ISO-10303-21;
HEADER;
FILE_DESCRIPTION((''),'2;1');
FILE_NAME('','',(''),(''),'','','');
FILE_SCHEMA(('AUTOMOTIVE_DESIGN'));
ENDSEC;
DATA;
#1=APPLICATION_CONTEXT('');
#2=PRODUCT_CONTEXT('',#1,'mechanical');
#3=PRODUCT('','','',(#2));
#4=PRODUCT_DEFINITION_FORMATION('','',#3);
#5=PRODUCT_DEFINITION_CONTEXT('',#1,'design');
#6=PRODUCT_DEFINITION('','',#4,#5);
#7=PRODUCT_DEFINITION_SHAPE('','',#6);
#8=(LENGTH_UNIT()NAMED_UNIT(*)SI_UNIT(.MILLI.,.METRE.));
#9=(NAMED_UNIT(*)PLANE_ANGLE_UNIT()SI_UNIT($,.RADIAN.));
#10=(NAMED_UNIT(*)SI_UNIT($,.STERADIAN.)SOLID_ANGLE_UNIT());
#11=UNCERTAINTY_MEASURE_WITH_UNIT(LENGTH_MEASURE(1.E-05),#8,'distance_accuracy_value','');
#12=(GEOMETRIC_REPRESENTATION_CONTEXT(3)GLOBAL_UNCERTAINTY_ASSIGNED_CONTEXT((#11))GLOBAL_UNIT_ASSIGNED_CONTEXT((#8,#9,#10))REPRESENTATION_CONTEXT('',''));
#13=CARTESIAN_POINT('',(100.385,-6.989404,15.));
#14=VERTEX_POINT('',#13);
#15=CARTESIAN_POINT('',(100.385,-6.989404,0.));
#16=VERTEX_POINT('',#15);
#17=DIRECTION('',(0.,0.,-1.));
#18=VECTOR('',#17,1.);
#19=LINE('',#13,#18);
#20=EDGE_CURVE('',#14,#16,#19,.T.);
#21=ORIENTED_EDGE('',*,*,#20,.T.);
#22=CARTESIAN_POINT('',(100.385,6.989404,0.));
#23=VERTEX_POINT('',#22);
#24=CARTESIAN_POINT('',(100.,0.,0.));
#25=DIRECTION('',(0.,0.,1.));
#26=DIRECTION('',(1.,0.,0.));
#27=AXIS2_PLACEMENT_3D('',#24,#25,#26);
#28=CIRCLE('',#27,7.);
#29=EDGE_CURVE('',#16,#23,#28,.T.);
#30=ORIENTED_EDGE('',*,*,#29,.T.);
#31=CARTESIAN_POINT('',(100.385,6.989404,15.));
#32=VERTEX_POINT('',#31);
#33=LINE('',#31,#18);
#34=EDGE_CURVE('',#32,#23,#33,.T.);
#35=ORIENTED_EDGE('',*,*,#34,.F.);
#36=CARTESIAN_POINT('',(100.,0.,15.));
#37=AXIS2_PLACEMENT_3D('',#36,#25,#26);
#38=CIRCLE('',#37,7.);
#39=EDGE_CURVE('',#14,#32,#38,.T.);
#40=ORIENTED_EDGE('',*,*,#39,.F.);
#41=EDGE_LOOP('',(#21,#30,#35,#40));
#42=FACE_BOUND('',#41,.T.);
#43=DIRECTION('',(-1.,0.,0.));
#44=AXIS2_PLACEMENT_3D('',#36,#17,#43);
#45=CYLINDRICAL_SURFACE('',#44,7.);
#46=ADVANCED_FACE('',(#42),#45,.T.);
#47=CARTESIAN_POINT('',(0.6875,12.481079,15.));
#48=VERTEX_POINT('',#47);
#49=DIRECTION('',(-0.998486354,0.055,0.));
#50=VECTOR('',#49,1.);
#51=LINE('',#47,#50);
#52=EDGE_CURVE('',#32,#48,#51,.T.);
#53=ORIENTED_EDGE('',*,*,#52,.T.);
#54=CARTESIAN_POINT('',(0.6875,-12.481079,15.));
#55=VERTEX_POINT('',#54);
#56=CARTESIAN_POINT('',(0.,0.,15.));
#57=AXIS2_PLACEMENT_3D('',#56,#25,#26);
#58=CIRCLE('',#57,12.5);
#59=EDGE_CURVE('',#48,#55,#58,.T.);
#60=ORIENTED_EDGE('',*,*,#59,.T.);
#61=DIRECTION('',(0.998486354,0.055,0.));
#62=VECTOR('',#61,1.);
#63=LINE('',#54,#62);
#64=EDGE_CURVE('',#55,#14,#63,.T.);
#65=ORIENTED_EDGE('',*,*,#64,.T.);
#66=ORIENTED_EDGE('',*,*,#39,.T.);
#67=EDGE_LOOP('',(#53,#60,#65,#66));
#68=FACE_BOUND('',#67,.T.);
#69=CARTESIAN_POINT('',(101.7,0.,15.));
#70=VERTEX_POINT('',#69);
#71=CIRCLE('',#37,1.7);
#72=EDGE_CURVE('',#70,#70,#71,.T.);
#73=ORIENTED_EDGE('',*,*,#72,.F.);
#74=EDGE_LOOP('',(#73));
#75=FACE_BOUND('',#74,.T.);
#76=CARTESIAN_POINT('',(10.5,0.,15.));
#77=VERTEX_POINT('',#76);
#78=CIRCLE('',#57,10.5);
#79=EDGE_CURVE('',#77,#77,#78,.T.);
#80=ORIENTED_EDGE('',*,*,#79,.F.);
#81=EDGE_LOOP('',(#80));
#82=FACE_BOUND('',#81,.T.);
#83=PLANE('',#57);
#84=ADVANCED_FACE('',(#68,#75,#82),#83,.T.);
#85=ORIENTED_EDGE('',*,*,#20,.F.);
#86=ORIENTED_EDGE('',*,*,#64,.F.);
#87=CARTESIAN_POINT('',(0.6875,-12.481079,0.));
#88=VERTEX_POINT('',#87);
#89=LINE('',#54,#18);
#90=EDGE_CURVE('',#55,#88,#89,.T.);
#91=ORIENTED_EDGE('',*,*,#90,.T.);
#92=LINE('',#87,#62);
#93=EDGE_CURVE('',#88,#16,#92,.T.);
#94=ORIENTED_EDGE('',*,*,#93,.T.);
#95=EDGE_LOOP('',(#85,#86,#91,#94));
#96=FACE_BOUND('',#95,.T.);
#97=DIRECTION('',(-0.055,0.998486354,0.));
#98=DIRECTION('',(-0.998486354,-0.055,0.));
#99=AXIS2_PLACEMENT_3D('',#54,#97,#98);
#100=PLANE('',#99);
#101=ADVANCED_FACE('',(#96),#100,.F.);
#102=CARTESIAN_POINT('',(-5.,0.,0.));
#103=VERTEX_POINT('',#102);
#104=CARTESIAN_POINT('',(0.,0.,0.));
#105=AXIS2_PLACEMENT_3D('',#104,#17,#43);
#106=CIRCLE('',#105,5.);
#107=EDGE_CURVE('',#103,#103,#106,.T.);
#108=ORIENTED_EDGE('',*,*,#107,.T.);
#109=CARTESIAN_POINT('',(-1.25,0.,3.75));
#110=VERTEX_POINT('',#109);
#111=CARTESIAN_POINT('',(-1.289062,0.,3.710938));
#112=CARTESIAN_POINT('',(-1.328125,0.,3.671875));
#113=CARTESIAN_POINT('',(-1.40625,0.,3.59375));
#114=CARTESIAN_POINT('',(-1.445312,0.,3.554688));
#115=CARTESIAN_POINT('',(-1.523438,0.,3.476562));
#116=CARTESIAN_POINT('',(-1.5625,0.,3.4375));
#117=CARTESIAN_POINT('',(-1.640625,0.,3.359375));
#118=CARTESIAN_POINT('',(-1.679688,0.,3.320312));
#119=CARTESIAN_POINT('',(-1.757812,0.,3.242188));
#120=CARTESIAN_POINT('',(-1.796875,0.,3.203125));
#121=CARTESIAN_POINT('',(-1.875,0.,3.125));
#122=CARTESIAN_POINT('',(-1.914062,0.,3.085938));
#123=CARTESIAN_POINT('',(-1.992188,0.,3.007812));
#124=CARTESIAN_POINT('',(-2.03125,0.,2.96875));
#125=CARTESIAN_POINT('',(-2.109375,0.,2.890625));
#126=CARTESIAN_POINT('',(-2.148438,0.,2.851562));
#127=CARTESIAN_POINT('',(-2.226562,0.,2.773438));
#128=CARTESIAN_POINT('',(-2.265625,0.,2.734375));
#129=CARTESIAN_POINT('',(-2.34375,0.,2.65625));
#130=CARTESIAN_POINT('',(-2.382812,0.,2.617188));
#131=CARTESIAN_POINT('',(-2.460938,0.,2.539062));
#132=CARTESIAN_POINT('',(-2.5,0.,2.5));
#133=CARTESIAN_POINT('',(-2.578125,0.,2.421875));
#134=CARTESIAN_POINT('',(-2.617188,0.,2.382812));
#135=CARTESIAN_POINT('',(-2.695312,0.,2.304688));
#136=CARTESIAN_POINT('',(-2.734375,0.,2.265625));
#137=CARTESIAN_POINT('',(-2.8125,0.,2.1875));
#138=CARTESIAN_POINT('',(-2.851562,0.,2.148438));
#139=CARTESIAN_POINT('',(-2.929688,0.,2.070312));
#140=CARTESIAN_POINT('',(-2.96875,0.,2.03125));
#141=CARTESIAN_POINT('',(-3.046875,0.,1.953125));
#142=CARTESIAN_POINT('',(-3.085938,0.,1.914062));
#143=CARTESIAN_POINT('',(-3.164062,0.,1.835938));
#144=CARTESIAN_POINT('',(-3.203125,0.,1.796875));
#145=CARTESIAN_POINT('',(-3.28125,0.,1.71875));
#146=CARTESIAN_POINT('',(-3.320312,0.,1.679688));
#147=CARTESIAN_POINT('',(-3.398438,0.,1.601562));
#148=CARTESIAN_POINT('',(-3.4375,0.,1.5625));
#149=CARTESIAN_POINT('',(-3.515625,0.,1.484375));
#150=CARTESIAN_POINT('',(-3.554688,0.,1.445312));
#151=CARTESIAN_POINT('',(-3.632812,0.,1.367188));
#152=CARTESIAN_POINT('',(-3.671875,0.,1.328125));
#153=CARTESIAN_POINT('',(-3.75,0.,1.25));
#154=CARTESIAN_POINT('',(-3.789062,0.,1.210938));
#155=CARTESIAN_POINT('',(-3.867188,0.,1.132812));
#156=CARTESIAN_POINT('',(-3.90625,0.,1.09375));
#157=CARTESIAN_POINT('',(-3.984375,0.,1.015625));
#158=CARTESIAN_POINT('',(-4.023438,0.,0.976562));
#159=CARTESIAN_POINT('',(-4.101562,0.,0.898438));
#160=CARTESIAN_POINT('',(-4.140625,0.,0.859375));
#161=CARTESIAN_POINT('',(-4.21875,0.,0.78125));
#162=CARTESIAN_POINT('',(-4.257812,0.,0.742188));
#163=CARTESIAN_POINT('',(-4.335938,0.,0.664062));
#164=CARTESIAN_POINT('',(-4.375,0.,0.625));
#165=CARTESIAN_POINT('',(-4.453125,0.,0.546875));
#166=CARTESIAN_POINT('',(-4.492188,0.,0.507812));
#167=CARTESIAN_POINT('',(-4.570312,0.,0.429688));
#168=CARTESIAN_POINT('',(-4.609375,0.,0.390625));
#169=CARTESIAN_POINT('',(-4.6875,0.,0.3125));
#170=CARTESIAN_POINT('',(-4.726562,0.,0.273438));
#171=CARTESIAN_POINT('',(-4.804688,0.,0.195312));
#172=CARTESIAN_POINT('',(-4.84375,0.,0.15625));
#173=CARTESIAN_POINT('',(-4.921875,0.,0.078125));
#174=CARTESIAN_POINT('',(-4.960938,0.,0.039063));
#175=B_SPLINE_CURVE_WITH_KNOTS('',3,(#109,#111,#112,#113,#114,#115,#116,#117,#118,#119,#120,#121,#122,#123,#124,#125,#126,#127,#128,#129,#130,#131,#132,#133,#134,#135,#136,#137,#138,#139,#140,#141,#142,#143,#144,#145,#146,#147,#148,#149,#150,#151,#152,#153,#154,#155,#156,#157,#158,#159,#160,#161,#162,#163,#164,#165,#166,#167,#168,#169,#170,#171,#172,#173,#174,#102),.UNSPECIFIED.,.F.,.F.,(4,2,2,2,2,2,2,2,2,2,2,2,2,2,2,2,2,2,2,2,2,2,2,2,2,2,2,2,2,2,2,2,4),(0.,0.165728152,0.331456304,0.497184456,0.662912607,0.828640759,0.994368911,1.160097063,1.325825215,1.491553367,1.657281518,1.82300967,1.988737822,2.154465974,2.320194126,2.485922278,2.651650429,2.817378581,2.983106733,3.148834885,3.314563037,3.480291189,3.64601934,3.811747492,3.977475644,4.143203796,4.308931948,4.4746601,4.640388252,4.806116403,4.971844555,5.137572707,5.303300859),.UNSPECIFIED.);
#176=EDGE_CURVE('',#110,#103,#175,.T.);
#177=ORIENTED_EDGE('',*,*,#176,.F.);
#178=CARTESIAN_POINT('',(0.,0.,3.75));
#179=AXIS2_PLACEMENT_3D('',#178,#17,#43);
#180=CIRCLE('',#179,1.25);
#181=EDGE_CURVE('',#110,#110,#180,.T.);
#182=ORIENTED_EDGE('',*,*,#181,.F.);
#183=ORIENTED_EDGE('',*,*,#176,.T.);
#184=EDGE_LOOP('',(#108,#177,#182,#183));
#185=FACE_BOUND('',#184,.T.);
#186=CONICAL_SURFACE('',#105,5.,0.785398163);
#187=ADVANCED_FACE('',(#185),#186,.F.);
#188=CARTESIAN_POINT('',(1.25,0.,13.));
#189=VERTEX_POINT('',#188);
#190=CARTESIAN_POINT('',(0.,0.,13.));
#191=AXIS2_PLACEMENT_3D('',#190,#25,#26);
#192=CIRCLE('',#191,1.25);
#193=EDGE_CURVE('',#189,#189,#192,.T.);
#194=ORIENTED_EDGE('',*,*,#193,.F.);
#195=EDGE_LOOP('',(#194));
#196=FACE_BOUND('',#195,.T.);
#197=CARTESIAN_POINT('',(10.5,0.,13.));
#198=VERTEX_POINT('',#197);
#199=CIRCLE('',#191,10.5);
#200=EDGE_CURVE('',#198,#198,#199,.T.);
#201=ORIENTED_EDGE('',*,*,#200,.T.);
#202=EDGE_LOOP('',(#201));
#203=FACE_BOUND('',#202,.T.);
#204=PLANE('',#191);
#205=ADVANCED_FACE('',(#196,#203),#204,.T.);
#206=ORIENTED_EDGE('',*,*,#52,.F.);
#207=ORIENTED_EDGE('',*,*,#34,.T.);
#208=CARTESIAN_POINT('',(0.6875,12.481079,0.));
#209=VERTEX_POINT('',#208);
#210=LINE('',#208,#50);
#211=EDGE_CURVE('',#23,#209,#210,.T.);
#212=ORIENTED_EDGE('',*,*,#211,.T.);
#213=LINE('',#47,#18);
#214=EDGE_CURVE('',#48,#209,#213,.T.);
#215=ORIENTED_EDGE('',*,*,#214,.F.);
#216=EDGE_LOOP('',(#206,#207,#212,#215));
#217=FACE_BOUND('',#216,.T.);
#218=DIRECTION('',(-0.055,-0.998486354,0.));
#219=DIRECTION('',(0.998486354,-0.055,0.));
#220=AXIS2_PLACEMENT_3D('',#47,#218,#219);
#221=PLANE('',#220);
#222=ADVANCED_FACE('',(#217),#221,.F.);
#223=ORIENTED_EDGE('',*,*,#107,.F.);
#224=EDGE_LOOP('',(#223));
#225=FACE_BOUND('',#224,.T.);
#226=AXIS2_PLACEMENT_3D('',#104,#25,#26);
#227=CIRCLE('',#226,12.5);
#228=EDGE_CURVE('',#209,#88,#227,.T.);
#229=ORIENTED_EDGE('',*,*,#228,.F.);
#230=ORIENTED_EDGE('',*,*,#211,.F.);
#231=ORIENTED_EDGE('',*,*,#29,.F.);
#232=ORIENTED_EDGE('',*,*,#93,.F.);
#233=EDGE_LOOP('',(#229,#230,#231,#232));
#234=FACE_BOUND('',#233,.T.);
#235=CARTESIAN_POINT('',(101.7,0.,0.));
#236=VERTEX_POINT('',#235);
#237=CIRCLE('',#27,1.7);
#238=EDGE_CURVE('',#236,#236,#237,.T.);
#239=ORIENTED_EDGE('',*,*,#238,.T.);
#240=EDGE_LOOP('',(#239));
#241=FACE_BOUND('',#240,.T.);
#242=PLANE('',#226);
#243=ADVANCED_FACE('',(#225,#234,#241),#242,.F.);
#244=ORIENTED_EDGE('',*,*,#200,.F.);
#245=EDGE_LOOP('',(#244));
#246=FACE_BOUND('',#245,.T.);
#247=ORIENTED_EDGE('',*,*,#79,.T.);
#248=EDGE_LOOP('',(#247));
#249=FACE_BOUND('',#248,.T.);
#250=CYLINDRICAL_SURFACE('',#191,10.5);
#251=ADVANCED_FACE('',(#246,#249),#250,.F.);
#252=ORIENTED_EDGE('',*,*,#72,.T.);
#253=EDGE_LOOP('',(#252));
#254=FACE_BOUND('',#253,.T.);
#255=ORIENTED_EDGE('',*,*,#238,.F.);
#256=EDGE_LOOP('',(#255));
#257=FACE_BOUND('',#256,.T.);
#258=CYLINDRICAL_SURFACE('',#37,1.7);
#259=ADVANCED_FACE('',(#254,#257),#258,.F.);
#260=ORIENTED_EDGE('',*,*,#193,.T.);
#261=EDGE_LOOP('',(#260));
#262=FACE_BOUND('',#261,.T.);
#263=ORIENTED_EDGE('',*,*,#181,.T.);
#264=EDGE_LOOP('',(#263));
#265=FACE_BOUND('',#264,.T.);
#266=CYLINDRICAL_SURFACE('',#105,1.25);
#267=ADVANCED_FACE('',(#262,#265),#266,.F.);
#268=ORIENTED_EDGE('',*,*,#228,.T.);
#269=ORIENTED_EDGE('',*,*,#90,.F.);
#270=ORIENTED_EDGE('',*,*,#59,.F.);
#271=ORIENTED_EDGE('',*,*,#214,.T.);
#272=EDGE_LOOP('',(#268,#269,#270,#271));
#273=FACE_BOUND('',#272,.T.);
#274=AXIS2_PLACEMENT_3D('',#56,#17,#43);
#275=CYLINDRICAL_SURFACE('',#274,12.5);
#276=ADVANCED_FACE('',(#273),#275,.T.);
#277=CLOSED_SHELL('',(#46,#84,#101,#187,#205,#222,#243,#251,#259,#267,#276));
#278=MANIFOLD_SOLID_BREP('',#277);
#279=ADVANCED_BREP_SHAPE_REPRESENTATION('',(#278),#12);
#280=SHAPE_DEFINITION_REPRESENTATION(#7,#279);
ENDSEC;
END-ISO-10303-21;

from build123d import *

# Parameters (mm, degrees)
BOSS_EXTRUDE1_DEPTH             = 15
SKETCH4_R                       = 10.5
CUT_EXTRUDE2_DEPTH              = 2
M3_CLEARANCE_HOLE2_D            = 3.4
M3X0_5_TAPPED_HOLE1_D           = 2.5
M3X0_5_TAPPED_HOLE1_CSINK_D     = 10
M3X0_5_TAPPED_HOLE1_CSINK_ANGLE = 90


with BuildPart() as part:
    # Sketch1 → Boss-Extrude1 (new body)
    with BuildSketch(Plane.XY):
        with BuildLine():
            Line((0.6875, 12.48107943), (100.385, 6.989404481))
            ThreePointArc((100.385, 6.989404481), (107, 0), (100.385, -6.989404481))
            Line((100.385, -6.989404481), (0.6875, -12.48107943))
            ThreePointArc((0.6875, -12.48107943), (-12.5, 0), (0.6875, 12.48107943))
        make_face()
    extrude(amount=BOSS_EXTRUDE1_DEPTH)

    # Sketch4 → Cut-Extrude2 (cut)
    with BuildSketch(Plane.XY.offset(15)):
        Circle(SKETCH4_R)
    extrude(amount=-CUT_EXTRUDE2_DEPTH, mode=Mode.SUBTRACT)

    # M3 Clearance Hole2 (through all)
    with Locations(Plane.XY.offset(15)):
        with Locations((100, 0)):
            Hole(M3_CLEARANCE_HOLE2_D / 2)

    # M3x0.5 Tapped Hole1 (through all)
    with Locations(Plane(origin=(0, 0, 0), x_dir=(-1, 0, 0), z_dir=(0, 0, -1))):
        with Locations((0, 0)):
            CounterSinkHole(M3X0_5_TAPPED_HOLE1_D / 2, M3X0_5_TAPPED_HOLE1_CSINK_D / 2, counter_sink_angle=M3X0_5_TAPPED_HOLE1_CSINK_ANGLE)


solid = part.part
